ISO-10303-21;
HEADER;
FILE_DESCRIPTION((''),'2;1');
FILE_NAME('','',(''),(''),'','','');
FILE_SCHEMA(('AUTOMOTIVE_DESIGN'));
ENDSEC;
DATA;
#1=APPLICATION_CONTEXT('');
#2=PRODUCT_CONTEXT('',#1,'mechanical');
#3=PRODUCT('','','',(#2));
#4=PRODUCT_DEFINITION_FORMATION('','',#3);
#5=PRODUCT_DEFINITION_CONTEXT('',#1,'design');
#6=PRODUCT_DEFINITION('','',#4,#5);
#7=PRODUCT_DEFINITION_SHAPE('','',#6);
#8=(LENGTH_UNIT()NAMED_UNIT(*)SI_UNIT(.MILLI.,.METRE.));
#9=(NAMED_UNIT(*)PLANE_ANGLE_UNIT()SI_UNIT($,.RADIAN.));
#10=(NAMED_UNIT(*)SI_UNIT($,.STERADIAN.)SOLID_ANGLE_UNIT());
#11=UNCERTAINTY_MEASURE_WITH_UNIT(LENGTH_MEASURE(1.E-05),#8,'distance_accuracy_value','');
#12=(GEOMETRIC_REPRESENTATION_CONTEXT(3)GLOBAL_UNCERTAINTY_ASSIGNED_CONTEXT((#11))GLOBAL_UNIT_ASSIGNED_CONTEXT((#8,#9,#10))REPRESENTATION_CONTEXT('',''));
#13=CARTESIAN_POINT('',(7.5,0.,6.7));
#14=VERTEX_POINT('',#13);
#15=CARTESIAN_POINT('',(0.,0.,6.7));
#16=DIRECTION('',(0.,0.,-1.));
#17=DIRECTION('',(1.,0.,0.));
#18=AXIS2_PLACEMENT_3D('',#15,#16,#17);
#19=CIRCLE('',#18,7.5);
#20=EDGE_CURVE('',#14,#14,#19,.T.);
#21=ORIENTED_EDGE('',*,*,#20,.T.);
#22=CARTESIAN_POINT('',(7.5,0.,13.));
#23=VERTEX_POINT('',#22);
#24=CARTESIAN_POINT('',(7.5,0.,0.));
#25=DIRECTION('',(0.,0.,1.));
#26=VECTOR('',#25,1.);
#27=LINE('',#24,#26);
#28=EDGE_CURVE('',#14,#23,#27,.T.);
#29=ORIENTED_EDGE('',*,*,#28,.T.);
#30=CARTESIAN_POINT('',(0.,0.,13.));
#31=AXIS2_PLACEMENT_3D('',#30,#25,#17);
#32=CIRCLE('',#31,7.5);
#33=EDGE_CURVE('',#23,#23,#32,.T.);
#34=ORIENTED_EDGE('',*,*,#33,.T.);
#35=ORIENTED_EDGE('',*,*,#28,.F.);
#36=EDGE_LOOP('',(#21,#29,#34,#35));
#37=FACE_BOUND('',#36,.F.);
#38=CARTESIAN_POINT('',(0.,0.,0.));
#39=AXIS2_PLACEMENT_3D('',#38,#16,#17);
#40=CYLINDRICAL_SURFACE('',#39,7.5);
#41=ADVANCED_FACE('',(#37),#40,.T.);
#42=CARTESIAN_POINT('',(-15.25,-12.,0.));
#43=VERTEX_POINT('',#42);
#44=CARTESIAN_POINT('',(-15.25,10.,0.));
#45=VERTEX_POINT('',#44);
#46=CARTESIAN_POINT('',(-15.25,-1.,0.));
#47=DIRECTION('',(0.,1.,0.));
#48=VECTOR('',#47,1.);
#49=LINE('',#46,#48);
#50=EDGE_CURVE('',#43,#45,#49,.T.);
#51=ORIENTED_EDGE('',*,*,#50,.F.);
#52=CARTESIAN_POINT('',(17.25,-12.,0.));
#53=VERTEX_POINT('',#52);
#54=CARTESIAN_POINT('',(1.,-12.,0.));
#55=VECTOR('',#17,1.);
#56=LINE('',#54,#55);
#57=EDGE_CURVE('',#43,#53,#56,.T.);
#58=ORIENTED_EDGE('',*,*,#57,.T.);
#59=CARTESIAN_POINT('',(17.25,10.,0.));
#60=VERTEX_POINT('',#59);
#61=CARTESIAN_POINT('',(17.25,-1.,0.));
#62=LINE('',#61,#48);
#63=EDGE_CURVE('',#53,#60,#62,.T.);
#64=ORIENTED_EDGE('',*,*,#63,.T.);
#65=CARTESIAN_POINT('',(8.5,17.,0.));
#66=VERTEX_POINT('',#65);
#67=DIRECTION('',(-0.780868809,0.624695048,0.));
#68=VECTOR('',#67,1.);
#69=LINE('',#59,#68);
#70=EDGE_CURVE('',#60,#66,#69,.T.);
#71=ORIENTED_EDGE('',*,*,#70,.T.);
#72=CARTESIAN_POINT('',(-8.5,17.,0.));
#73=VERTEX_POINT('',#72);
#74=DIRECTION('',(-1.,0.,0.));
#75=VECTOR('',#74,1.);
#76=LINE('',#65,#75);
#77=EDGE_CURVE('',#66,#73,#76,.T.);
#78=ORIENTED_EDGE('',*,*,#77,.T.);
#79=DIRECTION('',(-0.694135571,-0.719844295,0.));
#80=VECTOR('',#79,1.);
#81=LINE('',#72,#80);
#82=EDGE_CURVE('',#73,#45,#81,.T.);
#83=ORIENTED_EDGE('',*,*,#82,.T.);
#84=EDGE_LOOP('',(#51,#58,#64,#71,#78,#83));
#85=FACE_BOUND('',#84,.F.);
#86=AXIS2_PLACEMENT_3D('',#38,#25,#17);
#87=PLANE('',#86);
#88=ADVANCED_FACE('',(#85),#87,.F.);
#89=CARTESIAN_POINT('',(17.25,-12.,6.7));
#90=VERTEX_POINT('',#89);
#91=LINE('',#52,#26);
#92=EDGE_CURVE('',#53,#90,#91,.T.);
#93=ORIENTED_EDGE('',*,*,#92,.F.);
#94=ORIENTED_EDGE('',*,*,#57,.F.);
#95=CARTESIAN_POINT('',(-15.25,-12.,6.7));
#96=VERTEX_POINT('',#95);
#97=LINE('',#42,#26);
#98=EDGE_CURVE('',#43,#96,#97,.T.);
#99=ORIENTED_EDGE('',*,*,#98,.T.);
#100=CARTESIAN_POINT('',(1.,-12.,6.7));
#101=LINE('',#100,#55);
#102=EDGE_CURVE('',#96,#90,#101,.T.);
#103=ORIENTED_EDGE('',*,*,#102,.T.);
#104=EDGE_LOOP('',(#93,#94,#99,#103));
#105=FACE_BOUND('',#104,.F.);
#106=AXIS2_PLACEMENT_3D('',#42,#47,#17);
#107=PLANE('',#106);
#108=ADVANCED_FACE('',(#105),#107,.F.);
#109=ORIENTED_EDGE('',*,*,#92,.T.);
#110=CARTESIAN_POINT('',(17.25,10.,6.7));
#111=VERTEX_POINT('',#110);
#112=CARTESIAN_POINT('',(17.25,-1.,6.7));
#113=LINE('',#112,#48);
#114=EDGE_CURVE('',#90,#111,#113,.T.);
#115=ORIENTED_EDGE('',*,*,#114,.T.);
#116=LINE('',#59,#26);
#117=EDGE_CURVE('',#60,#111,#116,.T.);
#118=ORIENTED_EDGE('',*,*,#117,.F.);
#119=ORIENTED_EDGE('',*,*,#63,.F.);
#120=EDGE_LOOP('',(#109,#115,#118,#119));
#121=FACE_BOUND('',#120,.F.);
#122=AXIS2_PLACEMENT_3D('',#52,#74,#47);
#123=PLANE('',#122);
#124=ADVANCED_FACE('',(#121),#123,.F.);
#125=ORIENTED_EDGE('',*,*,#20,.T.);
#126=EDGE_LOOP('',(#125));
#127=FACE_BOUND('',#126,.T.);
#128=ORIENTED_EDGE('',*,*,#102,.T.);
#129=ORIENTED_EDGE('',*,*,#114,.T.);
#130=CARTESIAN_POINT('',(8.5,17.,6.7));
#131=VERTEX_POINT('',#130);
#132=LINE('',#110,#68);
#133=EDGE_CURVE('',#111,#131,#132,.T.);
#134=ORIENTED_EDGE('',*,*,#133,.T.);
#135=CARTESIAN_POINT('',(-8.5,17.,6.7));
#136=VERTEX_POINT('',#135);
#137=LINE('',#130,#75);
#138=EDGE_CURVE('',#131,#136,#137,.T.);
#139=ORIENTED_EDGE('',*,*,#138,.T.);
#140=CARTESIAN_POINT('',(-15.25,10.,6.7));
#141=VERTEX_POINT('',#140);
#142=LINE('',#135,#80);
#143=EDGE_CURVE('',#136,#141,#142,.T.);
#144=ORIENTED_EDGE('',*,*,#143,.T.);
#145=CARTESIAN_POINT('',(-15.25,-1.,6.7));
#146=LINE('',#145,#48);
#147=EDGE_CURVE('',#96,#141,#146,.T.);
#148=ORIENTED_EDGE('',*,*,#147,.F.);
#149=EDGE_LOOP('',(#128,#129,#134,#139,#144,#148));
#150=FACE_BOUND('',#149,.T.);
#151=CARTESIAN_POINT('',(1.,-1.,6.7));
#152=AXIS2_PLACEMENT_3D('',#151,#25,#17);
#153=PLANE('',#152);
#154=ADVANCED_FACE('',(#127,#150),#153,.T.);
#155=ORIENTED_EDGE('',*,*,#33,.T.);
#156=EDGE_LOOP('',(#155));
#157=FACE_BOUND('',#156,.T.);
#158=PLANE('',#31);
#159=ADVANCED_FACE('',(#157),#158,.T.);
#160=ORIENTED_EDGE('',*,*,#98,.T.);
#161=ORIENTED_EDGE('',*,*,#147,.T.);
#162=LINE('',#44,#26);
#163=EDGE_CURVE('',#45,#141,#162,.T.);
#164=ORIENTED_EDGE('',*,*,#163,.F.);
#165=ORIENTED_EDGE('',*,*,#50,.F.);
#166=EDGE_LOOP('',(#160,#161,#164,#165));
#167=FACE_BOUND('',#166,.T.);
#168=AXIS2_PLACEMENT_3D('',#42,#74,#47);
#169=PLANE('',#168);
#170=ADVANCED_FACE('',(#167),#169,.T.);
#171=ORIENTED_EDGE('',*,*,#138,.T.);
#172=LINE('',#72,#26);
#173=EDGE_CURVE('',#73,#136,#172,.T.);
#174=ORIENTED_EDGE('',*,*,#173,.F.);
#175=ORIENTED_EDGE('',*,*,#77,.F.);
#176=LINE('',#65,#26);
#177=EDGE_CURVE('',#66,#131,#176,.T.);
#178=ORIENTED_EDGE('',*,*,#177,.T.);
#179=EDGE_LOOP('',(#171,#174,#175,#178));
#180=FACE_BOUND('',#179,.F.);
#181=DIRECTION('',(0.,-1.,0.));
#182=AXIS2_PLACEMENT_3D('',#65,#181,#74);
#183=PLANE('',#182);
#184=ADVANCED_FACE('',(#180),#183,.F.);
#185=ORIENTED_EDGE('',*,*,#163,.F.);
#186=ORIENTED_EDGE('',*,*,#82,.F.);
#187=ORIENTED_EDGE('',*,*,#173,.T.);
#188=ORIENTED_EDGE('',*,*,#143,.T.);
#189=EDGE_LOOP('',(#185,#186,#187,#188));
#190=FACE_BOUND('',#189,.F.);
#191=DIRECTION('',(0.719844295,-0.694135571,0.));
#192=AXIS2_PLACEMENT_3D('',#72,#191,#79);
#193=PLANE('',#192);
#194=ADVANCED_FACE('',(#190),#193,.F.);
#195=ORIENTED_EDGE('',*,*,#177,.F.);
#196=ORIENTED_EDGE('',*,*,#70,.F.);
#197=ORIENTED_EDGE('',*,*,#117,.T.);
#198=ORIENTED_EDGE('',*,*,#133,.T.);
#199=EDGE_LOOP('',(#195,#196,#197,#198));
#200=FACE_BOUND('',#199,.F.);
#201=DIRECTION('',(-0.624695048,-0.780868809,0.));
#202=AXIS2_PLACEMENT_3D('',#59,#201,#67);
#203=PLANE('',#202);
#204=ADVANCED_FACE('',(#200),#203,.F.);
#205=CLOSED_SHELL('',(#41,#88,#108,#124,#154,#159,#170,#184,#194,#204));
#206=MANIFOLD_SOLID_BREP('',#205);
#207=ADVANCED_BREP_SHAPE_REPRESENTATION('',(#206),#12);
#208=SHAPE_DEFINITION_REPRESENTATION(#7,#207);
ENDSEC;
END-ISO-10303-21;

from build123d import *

# Parameters (mm, degrees)
F0_W     = 32.5
F0_H     = 22
F1_DEPTH = 6.7
F2_R     = 7.5
F3_DEPTH = 13


with BuildPart() as f1:
    # F0 (on Top) → F1 (new body)
    with BuildSketch(Plane.XY):
        with Locations((1, -1)):
            Rectangle(F0_W, F0_H)
        Polygon((-8.5, 17), (-15.25, 10), (17.25, 10), (8.5, 17), align=None)
    extrude(amount=F1_DEPTH)

    # F2 (on Top) → F3 (join)
    with BuildSketch(Plane.XY):
        Circle(F2_R)
    extrude(amount=F3_DEPTH)


solid = f1.part
